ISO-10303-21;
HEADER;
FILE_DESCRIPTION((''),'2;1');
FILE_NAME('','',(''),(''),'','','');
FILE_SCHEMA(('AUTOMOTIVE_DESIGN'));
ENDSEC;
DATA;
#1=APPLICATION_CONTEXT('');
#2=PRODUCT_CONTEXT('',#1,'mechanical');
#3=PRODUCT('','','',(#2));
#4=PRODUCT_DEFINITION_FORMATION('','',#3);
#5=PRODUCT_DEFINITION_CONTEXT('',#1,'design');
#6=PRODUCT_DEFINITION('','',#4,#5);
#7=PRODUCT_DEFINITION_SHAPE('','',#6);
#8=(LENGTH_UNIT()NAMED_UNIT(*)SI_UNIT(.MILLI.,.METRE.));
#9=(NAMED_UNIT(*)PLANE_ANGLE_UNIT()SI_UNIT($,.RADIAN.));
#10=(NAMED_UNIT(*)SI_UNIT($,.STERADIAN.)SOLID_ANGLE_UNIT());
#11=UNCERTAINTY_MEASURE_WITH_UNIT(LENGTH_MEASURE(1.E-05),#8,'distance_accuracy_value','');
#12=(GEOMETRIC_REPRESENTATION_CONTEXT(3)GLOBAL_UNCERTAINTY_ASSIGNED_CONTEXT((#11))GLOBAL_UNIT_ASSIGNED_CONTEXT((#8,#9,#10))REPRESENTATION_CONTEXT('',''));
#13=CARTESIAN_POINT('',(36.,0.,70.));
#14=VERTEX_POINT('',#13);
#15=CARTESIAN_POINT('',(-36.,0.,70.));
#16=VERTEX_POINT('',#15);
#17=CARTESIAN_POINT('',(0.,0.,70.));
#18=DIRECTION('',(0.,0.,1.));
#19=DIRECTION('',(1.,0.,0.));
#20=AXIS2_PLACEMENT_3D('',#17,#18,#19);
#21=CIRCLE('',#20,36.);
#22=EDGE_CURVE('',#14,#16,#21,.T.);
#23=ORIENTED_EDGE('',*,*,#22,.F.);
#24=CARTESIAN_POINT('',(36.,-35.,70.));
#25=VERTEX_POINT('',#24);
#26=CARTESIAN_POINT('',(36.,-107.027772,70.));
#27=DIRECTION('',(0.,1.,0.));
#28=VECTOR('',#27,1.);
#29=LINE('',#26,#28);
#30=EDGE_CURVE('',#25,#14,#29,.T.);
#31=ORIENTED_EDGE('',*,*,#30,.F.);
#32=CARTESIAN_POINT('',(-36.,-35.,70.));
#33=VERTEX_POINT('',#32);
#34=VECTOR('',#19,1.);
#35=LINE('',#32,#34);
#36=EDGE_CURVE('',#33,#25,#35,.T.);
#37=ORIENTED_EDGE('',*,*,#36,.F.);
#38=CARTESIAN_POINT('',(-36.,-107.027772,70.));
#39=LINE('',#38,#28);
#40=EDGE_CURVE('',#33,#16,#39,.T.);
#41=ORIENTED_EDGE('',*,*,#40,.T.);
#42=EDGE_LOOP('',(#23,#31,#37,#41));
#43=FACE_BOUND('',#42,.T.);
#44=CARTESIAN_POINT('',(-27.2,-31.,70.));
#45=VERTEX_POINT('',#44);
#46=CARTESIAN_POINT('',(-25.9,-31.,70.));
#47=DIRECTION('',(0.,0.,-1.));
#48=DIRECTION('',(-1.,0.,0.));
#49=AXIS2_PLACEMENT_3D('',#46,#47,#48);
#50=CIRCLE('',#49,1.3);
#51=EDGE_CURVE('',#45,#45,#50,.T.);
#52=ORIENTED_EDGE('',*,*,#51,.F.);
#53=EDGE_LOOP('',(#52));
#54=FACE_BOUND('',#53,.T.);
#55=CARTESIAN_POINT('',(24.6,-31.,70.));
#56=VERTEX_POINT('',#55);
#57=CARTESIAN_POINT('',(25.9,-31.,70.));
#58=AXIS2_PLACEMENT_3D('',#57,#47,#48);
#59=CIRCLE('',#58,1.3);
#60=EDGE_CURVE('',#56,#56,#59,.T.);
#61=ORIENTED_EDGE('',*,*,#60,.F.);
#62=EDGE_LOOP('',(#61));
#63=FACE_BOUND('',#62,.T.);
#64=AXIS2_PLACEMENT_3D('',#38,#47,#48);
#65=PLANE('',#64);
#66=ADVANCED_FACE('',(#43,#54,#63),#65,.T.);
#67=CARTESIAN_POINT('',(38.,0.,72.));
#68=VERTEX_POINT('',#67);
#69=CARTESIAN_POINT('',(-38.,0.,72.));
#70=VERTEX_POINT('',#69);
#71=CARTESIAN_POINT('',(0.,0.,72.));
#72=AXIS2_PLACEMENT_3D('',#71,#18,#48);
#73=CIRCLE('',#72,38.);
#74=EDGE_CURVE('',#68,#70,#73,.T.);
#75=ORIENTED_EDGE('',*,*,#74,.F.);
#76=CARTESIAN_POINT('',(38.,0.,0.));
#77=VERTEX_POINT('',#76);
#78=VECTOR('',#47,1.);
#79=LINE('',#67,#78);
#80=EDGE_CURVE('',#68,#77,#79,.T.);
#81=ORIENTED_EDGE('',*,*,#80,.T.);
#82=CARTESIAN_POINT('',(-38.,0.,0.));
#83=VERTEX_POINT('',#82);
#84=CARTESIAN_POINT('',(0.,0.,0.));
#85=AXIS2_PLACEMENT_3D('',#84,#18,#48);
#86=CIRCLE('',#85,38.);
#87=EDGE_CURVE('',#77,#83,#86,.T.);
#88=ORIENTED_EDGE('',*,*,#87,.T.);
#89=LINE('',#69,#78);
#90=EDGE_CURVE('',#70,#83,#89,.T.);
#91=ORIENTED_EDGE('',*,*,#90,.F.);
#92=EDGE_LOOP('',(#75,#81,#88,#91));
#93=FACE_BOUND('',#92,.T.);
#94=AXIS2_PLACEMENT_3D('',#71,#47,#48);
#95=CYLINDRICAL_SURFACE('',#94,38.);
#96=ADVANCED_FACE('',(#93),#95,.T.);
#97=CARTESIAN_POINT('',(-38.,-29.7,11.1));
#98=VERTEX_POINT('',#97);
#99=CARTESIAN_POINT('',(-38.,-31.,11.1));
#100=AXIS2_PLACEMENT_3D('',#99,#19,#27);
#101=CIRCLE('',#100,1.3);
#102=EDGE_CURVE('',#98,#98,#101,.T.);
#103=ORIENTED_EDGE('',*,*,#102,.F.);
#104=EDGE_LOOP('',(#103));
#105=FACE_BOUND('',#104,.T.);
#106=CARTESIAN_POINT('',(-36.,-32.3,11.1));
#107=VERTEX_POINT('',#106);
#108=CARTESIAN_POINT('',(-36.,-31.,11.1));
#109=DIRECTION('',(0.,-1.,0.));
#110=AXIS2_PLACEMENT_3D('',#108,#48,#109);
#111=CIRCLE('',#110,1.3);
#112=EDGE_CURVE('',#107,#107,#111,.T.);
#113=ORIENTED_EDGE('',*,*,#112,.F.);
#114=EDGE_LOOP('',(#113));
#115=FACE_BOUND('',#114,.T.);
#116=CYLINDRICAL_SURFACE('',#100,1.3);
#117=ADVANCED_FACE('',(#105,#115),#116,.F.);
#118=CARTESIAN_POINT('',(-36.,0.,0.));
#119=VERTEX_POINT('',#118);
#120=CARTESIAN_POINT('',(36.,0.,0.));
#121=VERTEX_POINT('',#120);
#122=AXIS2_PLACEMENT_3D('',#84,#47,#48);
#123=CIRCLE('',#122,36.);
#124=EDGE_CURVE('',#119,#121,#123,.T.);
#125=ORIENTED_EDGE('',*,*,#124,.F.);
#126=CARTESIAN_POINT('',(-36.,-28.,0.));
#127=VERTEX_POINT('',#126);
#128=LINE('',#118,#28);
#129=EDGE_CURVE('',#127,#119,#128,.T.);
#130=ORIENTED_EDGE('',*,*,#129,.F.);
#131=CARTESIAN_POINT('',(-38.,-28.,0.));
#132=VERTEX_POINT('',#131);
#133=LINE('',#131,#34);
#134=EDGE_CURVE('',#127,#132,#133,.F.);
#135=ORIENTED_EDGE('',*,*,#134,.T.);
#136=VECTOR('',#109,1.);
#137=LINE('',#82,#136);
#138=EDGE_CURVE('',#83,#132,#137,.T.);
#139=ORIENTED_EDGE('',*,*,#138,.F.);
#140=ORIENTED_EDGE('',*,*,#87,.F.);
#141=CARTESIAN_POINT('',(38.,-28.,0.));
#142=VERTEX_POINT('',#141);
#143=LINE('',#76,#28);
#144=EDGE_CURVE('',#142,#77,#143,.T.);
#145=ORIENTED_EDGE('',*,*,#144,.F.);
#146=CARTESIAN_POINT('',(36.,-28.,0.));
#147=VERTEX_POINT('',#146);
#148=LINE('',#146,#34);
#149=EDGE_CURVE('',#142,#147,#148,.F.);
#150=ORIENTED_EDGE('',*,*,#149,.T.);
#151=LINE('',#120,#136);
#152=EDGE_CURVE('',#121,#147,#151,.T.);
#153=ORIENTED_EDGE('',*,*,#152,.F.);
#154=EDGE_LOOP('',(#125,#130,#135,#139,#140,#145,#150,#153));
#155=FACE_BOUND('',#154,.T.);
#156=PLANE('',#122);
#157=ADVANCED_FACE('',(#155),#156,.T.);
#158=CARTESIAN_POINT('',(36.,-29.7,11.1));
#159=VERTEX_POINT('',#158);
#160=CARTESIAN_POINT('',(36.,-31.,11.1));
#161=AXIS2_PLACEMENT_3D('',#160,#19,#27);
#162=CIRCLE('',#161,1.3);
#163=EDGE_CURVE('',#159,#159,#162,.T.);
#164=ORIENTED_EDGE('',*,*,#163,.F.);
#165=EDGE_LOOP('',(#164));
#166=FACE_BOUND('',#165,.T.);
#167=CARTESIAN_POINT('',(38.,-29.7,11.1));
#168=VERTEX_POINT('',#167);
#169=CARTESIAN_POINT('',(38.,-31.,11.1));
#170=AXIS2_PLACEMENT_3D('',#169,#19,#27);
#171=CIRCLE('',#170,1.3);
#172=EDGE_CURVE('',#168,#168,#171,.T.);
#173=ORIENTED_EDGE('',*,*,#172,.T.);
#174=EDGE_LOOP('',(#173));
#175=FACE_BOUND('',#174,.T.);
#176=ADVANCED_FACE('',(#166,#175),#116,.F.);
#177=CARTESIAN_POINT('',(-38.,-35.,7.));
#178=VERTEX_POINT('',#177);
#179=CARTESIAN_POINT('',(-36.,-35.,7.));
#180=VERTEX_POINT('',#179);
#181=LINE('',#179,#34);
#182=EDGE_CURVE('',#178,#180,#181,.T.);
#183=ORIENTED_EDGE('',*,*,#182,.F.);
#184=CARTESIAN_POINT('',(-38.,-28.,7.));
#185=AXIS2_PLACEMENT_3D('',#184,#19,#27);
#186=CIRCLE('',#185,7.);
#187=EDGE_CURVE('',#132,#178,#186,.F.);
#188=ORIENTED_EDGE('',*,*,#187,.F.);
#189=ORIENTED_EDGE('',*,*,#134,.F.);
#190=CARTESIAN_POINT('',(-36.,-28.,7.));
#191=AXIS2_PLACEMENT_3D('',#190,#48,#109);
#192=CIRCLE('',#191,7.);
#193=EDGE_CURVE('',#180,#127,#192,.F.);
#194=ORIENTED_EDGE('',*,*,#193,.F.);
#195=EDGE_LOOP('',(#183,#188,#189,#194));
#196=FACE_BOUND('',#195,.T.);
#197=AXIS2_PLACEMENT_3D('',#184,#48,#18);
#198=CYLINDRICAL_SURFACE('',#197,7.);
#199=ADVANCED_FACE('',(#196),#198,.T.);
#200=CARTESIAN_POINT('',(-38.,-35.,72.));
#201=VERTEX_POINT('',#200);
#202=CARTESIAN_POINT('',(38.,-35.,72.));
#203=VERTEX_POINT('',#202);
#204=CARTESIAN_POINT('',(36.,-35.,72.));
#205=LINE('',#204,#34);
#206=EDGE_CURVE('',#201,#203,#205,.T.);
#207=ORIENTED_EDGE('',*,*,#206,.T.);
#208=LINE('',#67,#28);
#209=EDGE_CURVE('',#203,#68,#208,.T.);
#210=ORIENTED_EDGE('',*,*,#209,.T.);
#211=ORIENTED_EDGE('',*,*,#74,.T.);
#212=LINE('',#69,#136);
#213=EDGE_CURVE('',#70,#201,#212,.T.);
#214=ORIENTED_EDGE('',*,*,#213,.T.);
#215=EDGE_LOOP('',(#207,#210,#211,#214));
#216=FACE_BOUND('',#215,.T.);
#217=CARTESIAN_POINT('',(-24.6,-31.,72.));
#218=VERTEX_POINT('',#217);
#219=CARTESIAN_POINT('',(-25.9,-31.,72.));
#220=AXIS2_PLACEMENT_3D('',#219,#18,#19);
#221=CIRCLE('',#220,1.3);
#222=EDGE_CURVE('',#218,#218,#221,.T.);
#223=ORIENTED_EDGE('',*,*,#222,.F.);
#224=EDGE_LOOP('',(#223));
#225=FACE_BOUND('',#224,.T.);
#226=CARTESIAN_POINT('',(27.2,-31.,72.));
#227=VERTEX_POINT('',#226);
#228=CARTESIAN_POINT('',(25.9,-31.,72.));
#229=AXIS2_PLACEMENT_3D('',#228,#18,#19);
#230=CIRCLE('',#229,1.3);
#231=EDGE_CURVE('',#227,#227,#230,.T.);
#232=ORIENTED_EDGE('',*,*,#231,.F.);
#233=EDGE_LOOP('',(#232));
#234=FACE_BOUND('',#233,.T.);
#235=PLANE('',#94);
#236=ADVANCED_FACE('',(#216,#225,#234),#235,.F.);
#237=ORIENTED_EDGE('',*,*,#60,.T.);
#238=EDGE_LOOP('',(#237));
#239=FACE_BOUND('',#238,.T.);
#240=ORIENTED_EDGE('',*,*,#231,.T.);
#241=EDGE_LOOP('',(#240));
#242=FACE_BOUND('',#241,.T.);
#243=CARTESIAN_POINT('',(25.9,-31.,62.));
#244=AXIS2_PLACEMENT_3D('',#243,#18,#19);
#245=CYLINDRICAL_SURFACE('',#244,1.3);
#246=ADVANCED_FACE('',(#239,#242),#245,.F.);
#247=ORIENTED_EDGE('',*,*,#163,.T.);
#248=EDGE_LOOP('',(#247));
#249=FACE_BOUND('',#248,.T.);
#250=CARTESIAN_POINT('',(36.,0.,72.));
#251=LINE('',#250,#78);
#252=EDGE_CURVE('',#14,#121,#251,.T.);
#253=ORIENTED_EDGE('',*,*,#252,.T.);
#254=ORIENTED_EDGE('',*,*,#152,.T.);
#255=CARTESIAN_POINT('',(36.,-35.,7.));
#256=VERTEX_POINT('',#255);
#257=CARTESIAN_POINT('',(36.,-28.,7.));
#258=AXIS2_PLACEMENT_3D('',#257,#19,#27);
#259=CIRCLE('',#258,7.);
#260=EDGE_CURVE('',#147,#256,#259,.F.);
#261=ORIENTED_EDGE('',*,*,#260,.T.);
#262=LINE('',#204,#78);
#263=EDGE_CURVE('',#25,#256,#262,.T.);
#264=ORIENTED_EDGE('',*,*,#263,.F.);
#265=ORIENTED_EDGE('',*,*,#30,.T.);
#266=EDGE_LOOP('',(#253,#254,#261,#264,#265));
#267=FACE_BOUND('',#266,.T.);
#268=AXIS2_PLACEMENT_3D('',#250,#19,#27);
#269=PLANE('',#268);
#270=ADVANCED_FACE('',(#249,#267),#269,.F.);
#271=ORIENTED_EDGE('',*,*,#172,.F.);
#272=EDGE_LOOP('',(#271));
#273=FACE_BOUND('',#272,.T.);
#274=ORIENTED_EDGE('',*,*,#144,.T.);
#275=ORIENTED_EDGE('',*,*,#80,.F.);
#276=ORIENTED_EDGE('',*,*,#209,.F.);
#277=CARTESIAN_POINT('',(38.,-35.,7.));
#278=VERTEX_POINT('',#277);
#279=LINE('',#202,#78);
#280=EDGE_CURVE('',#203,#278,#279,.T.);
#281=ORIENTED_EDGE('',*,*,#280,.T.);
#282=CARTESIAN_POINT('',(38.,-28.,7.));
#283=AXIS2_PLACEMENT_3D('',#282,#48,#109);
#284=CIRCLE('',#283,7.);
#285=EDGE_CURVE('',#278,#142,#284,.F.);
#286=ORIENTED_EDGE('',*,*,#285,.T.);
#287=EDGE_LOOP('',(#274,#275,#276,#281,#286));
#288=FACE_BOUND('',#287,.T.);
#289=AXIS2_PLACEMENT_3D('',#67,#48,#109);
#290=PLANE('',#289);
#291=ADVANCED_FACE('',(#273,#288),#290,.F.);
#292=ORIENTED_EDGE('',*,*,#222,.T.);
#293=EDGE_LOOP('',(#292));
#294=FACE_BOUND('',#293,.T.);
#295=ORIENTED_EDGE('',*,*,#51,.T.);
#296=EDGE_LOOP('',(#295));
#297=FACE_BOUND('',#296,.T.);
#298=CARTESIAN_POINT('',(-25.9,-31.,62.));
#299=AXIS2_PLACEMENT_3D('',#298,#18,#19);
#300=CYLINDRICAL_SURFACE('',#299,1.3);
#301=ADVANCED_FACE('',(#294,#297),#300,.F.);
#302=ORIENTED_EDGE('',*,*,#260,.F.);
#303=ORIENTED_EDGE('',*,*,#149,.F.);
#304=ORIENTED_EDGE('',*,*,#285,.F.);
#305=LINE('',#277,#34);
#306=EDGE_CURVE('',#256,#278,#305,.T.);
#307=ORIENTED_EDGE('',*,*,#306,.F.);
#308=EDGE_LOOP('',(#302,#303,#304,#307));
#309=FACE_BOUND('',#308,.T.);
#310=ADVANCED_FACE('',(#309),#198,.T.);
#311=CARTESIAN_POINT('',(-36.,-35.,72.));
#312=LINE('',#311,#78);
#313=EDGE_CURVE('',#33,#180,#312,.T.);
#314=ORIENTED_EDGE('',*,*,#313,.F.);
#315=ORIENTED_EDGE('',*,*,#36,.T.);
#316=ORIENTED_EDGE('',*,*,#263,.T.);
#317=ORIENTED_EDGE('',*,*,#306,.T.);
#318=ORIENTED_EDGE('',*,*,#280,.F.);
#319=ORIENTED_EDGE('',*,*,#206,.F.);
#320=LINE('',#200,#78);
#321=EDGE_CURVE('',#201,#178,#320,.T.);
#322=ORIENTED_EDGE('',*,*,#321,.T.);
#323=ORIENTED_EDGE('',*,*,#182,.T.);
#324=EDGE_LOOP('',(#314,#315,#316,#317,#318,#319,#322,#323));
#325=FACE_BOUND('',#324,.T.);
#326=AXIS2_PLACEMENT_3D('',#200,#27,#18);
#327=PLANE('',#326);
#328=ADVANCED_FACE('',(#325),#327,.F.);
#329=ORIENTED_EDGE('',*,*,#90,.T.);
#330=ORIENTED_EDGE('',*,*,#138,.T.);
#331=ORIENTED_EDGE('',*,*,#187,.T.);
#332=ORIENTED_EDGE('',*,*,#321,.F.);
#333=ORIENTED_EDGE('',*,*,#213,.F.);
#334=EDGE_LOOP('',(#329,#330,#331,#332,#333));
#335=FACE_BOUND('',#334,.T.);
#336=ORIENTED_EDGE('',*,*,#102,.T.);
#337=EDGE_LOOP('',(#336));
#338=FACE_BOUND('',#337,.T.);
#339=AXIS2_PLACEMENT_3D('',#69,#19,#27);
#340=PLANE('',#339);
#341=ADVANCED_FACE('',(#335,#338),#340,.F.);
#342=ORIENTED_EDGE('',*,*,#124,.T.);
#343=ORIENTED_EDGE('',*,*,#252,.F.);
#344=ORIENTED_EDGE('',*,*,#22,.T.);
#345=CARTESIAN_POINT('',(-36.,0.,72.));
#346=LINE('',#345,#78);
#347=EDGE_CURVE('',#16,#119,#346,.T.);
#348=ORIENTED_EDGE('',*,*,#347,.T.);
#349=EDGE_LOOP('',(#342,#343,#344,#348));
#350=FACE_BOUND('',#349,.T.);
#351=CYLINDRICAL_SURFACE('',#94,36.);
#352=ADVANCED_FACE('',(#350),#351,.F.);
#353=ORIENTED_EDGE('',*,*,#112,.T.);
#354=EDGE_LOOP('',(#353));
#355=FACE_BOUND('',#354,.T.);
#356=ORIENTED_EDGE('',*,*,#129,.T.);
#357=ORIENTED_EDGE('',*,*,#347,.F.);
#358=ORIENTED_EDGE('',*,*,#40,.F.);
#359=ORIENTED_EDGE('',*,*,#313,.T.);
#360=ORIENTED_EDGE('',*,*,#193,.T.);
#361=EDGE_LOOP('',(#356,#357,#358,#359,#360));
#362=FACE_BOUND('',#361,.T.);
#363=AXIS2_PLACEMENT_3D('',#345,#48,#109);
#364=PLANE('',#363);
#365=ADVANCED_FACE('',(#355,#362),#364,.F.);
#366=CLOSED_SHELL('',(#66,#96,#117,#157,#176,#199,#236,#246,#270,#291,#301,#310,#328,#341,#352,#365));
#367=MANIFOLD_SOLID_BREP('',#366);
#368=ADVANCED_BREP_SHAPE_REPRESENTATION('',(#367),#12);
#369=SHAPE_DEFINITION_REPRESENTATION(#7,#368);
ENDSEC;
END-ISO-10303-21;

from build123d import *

# Parameters (mm, degrees)
BOSS_EXTRUDE1_DEPTH                  = 72
SKETCH2_W                            = 72
SKETCH2_H                            = 2
BOSS_EXTRUDE2_DEPTH                  = 35
BOSS_EXTRUDE2_DIRECTION_2_REACH      = 91.844
BOSS_EXTRUDE2_DIRECTION_2_END_RADIUS = 36
SKETCH3_R                            = 1.3
CUT_EXTRUDE1_DEPTH                   = 10
SKETCH4_R                            = 1.3
CUT_EXTRUDE2_DEPTH                   = 112.373246339
FILLET1_R                            = 7


with BuildPart() as part:
    # Sketch1 → Boss-Extrude1 (new body)
    with BuildSketch(Plane.XY):
        with BuildLine():
            Line((-36, 0), (-36, -35))
            Line((-36, -35), (-38, -35))
            Line((-38, -35), (-38, 0))
            ThreePointArc((-38, 0), (0, 38), (38, 0))
            Line((38, 0), (38, -35))
            Line((38, -35), (36, -35))
            Line((36, -35), (36, 0))
            ThreePointArc((36, 0), (0, 36), (-36, 0))
        make_face()
    extrude(amount=BOSS_EXTRUDE1_DEPTH)

    # Sketch2 → Boss-Extrude2 (add)
    with BuildSketch(Plane(origin=(0, 0, 0), x_dir=(1, 0, 0), z_dir=(0, 1, 0))):
        with Locations((0, -71)):
            Rectangle(SKETCH2_W, SKETCH2_H)
    extrude(amount=-BOSS_EXTRUDE2_DEPTH)

    # Boss-Extrude2 direction 2: up to this cylinder (the profile starts inside it)
    boss_extrude2_direction_2_end = Plane(origin=(0, 0, 71), z_dir=(0, 0, -1)) * Cylinder(BOSS_EXTRUDE2_DIRECTION_2_END_RADIUS, 256.688, mode=Mode.PRIVATE)
    # Sketch2 → Boss-Extrude2 direction 2 (add, up to the surface)
    with BuildSketch(Plane(origin=(0, 0, 0), x_dir=(1, 0, 0), z_dir=(0, 1, 0)), mode=Mode.PRIVATE) as boss_extrude2_direction_2_sk1:
        with Locations((0, -71)):
            Rectangle(SKETCH2_W, SKETCH2_H)
    boss_extrude2_direction_2_tool1 = extrude(boss_extrude2_direction_2_sk1.sketch, amount=BOSS_EXTRUDE2_DIRECTION_2_REACH, mode=Mode.PRIVATE) & boss_extrude2_direction_2_end
    add(boss_extrude2_direction_2_tool1.solids().sort_by_distance((0, 0, 71))[0])

    # Sketch3 → Cut-Extrude1 (cut)
    with BuildSketch(Plane.XY.offset(72)):
        with Locations((-25.9, -31)):
            Circle(SKETCH3_R)
        with Locations((25.9, -31)):
            Circle(SKETCH3_R)
    extrude(amount=-CUT_EXTRUDE1_DEPTH, mode=Mode.SUBTRACT)

    # Sketch4 → Cut-Extrude2 (cut, through all)
    with BuildSketch(Plane(origin=(38, 0, 0), x_dir=(0, 0, -1), z_dir=(1, 0, 0))):
        with Locations(Location((-11.1, -31, 0), (0, 0, 90))):
            Circle(SKETCH4_R)
    extrude(amount=-CUT_EXTRUDE2_DEPTH, mode=Mode.SUBTRACT)

    # Fillet1
    fillet1_edges = [part.edges().sort_by_distance(p)[0] for p in [
        (-37, -35, 0),
        (37, -35, 0),
    ]]
    fillet(fillet1_edges, radius=FILLET1_R)


solid = part.part
